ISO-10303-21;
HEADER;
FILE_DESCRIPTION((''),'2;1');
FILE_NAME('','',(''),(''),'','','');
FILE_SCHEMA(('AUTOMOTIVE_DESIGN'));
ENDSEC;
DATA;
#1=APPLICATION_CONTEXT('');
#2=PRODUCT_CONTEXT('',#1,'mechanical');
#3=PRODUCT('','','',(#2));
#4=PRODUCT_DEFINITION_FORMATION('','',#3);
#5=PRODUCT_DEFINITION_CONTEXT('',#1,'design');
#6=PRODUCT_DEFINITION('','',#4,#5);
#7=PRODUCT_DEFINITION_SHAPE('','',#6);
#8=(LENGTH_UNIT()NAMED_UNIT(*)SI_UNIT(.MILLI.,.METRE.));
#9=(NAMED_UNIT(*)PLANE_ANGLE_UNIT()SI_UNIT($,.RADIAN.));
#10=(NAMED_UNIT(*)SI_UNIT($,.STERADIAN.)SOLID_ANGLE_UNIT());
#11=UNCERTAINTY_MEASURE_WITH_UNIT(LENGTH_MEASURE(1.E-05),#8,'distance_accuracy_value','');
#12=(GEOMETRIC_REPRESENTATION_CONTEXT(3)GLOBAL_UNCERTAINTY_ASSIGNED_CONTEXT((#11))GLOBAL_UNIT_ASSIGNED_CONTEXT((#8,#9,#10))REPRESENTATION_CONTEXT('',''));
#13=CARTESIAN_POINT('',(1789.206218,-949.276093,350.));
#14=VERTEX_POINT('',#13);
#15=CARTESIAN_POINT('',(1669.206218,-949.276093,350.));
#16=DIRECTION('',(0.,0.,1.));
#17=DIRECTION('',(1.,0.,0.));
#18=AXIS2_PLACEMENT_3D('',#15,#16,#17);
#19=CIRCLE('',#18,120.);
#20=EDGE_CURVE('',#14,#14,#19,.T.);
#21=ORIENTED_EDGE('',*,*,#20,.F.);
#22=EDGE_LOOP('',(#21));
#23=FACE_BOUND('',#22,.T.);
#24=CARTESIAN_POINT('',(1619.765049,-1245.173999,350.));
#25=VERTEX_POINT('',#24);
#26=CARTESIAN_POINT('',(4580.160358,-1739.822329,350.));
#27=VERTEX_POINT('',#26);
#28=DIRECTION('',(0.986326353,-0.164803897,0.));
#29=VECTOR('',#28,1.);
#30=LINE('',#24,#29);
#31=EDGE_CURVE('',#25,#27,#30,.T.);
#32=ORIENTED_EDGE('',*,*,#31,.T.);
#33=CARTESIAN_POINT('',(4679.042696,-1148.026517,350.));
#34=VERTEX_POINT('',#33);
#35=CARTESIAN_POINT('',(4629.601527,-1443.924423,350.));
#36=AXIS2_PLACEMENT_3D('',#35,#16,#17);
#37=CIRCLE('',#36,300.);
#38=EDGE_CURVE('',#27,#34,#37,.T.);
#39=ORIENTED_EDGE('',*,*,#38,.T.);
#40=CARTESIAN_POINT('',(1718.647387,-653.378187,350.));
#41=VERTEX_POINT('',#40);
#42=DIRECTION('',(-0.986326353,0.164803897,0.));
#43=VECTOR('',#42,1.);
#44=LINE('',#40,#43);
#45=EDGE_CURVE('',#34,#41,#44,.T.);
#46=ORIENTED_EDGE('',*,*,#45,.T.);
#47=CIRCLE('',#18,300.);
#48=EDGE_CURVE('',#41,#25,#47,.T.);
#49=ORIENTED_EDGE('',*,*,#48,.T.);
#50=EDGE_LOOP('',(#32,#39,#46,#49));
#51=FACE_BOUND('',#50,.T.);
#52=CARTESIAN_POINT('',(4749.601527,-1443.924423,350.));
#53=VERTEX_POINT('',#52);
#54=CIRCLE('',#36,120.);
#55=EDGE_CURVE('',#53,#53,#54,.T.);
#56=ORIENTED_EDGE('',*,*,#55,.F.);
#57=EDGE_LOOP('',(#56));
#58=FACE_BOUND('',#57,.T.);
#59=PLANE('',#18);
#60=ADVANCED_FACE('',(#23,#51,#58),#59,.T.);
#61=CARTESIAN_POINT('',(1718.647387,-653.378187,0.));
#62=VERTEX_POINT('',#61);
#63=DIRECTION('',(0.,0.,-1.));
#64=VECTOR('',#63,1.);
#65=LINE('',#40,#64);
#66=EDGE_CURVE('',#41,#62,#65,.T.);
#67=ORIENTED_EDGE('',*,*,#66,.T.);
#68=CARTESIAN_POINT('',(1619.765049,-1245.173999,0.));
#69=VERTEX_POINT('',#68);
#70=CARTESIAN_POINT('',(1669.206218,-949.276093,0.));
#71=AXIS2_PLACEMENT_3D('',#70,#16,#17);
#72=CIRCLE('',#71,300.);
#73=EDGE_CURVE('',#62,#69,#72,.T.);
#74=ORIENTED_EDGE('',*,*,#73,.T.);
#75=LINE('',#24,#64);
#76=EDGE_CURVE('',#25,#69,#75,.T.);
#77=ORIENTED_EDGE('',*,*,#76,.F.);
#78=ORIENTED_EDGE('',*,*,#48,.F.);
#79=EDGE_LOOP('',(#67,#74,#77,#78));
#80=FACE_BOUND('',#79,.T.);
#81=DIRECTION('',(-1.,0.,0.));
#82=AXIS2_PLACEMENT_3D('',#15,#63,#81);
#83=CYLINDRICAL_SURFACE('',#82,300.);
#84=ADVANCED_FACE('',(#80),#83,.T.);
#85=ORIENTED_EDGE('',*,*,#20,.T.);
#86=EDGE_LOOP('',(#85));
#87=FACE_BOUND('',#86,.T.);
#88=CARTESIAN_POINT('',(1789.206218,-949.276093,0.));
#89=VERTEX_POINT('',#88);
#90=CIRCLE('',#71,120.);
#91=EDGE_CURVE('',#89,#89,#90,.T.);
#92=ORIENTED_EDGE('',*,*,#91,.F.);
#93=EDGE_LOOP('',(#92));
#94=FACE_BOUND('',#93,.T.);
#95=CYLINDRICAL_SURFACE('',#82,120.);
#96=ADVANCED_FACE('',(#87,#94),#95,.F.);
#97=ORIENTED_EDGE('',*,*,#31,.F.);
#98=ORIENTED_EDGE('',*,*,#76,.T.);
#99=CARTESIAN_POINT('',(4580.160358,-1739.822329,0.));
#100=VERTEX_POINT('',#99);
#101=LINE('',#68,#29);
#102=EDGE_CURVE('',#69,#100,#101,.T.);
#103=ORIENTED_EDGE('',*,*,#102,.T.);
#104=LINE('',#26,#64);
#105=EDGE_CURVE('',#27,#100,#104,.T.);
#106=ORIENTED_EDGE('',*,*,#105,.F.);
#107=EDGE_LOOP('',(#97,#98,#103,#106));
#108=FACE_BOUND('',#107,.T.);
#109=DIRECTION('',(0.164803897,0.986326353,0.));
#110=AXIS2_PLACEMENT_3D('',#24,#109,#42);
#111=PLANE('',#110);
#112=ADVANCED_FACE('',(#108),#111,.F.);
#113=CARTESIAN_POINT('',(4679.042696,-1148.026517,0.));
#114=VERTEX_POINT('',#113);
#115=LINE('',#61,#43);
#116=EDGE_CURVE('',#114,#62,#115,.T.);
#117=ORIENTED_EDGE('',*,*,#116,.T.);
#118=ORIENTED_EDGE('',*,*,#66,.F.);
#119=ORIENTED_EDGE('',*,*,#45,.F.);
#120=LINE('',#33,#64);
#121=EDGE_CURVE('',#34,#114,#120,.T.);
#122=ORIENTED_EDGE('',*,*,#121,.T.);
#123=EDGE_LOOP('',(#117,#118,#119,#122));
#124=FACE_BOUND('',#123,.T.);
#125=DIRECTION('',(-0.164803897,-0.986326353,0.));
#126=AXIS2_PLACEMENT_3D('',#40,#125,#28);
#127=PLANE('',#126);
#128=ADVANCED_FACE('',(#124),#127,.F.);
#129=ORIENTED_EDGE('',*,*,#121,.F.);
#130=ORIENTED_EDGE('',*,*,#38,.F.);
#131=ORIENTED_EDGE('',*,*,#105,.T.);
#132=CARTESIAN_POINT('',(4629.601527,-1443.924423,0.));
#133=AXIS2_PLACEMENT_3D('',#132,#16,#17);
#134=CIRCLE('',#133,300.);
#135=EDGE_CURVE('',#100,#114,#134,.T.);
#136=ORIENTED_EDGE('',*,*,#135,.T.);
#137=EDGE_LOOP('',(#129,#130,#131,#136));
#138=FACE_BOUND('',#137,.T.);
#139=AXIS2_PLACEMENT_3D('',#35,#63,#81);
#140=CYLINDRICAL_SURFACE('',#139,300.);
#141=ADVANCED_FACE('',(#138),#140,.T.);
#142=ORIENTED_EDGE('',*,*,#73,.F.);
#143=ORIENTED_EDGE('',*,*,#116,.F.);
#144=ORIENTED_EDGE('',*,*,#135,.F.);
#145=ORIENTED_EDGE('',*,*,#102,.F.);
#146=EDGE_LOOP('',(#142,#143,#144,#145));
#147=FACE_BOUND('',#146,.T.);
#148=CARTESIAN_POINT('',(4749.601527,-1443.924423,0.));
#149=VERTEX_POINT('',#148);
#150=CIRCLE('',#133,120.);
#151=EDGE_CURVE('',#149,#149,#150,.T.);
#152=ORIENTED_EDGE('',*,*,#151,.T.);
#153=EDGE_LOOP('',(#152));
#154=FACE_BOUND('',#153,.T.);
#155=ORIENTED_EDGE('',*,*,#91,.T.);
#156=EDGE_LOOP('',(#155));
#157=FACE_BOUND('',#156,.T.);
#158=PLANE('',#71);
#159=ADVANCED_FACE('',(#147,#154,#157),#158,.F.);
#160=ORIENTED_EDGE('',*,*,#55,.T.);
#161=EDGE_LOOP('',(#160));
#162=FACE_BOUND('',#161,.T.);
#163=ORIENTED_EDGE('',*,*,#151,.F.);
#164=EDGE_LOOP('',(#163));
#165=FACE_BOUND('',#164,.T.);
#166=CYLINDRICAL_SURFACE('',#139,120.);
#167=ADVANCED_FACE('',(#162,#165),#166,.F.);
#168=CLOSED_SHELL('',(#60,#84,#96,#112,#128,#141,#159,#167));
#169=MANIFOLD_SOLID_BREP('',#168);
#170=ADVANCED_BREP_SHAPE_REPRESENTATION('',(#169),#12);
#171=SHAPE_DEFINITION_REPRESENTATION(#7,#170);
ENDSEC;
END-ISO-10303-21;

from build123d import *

# Parameters (mm, degrees)
SKETCH17_R           = 120
BOSS_EXTRUDE12_DEPTH = 350


with BuildPart() as part:
    # Sketch17 → Boss-Extrude12 (new body)
    with BuildSketch(Plane.XY):
        with BuildLine():
            Line((1718.647386789, -653.378187074), (4679.042696174, -1148.02651725))
            ThreePointArc((4679.042696174, -1148.02651725), (4925.4994331, -1493.365592396), (4580.160357954, -1739.822329323))
            Line((4580.160357954, -1739.822329323), (1619.765048569, -1245.173999148))
            ThreePointArc((1619.765048569, -1245.173999148), (1373.308311642, -899.834924001), (1718.647386789, -653.378187074))
        make_face()
        with Locations((4629.601527064, -1443.924423286)):
            Circle(SKETCH17_R, mode=Mode.SUBTRACT)
        with Locations((1669.206217679, -949.276093111)):
            Circle(SKETCH17_R, mode=Mode.SUBTRACT)
    extrude(amount=BOSS_EXTRUDE12_DEPTH)


solid = part.part
